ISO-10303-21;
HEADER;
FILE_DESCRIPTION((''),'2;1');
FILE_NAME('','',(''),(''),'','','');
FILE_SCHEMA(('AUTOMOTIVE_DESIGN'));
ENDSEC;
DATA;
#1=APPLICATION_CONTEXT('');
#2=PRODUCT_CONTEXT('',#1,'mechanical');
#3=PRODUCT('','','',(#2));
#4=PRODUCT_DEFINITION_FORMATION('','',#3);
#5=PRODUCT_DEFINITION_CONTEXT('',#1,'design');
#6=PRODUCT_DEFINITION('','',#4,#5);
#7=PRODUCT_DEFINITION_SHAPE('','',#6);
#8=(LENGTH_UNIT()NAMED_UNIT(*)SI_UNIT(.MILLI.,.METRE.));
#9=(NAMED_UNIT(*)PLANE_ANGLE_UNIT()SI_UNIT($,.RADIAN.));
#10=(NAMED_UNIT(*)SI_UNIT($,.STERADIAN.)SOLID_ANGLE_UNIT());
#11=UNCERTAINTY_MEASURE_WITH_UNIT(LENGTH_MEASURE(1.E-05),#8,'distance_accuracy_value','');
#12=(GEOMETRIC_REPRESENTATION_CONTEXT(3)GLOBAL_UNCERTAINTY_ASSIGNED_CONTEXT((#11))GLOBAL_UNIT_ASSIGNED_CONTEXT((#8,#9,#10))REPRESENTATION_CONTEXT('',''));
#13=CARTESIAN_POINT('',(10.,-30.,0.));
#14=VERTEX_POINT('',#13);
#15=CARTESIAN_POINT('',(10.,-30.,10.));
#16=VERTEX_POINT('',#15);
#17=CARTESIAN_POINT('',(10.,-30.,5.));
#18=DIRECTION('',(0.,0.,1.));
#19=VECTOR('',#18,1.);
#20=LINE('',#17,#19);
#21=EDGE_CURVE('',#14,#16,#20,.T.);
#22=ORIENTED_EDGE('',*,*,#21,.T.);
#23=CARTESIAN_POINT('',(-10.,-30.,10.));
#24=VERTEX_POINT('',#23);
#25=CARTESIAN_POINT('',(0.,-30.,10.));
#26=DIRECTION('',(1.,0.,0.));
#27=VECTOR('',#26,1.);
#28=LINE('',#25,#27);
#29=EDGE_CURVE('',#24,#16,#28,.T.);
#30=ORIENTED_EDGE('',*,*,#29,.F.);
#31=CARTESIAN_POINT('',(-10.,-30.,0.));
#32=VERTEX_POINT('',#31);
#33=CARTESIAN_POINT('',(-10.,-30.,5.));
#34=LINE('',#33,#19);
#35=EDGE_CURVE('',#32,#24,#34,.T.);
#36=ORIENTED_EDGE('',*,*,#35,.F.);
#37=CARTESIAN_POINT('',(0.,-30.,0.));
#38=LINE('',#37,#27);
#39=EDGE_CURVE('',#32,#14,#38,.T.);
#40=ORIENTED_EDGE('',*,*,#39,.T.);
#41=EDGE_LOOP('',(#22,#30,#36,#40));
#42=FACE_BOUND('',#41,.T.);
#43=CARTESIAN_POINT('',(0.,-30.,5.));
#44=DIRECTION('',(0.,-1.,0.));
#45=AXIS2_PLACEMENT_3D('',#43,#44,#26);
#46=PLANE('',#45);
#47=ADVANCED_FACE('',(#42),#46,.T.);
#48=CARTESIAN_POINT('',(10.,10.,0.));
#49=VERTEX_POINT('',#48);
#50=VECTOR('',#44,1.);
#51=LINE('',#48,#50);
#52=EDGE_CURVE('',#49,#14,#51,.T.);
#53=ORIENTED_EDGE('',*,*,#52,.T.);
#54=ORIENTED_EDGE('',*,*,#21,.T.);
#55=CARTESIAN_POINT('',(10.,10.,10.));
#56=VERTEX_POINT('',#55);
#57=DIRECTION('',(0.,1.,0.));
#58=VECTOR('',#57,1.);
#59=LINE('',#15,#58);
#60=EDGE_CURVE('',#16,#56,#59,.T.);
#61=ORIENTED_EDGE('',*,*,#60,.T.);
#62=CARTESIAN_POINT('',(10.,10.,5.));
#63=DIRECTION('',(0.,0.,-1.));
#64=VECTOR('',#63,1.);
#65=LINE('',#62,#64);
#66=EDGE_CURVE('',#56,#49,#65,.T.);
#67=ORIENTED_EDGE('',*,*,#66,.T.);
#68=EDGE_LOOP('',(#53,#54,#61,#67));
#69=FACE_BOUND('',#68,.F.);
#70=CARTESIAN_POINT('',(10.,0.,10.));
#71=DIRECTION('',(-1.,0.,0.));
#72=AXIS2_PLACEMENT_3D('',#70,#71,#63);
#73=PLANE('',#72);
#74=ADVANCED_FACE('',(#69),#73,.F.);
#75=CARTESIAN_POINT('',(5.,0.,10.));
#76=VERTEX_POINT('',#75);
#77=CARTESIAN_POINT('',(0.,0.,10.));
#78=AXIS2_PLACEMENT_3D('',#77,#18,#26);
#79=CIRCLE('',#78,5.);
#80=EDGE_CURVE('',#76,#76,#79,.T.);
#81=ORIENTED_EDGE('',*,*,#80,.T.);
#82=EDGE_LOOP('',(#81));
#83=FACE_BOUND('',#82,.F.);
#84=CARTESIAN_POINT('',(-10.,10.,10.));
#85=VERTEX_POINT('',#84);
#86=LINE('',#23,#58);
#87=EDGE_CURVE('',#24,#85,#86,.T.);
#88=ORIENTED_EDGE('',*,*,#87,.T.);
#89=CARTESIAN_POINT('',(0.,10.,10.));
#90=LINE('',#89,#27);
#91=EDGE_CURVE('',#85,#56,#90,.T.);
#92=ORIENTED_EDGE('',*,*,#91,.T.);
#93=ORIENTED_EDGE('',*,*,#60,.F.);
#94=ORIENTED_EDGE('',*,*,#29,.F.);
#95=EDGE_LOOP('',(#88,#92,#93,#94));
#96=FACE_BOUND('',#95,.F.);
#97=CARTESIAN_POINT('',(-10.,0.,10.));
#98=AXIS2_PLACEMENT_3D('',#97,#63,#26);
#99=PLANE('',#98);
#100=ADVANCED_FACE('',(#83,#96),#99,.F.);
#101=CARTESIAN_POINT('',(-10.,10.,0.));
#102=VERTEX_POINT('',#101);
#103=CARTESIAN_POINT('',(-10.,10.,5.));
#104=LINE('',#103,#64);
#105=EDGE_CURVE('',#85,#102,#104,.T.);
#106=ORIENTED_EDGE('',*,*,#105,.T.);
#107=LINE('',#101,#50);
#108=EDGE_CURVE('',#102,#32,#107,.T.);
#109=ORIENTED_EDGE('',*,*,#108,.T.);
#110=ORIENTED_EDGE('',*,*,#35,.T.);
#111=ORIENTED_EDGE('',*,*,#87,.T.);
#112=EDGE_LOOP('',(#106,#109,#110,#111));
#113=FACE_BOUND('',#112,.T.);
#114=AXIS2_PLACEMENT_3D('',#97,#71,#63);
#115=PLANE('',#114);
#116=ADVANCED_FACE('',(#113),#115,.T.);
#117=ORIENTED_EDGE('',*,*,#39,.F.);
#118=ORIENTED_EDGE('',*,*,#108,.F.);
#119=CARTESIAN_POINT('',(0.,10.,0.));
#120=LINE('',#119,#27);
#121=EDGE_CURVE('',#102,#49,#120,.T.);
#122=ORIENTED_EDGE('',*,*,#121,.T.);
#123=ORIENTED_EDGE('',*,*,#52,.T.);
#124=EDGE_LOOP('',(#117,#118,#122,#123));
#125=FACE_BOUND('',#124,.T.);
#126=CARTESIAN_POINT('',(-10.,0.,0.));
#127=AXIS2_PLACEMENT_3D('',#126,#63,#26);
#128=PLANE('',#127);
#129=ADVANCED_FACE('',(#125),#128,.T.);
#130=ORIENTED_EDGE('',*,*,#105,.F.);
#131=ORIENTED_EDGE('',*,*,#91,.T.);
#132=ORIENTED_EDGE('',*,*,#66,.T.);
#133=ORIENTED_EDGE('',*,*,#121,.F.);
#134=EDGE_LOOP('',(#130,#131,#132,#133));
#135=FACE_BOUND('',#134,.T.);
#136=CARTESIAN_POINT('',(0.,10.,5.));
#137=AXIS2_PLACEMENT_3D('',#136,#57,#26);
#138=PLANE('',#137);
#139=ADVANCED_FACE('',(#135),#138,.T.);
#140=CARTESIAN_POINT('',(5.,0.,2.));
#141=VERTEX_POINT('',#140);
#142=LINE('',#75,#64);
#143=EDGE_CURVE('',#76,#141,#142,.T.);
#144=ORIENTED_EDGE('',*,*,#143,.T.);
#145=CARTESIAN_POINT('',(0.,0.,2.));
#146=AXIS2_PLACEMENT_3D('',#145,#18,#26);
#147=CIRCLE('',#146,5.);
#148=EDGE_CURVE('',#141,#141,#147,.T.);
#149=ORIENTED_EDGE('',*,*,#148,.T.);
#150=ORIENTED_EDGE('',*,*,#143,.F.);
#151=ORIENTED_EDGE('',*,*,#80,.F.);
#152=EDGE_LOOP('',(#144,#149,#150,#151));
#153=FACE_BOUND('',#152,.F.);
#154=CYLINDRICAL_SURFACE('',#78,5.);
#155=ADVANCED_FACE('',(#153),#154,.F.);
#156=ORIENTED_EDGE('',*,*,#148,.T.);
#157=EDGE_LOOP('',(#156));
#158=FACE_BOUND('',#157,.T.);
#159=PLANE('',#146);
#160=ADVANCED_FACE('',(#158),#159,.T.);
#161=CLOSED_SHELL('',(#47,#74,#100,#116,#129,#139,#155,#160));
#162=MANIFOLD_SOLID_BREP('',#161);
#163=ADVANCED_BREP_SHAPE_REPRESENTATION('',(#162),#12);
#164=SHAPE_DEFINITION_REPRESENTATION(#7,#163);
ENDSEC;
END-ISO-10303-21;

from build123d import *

# Parameters (mm, degrees)
F0_W      = 20
F0_H      = 10
F1_DEPTH  = 30
F1_FACE_W = 20
F1_FACE_H = 10
F2_DEPTH  = 10
F4_R      = 5
F5_DEPTH  = 8


with BuildPart() as f1:
    # F0 (on Front) → F1 (new body)
    with BuildSketch(Plane.XZ):
        with Locations((0, 5)):
            Rectangle(F0_W, F0_H)
    extrude(amount=F1_DEPTH)

    # F1_face (on face) → F2 (join)
    with BuildSketch(Plane(origin=(0, 0, 5), x_dir=(1, 0, 0), z_dir=(0, 1, 0))):
        Rectangle(F1_FACE_W, F1_FACE_H)
    extrude(amount=F2_DEPTH)

    # F4 (on face) → F5 (cut)
    with BuildSketch(Plane.XY.offset(10)):
        Circle(F4_R)
    extrude(amount=-F5_DEPTH, mode=Mode.SUBTRACT)


solid = f1.part
